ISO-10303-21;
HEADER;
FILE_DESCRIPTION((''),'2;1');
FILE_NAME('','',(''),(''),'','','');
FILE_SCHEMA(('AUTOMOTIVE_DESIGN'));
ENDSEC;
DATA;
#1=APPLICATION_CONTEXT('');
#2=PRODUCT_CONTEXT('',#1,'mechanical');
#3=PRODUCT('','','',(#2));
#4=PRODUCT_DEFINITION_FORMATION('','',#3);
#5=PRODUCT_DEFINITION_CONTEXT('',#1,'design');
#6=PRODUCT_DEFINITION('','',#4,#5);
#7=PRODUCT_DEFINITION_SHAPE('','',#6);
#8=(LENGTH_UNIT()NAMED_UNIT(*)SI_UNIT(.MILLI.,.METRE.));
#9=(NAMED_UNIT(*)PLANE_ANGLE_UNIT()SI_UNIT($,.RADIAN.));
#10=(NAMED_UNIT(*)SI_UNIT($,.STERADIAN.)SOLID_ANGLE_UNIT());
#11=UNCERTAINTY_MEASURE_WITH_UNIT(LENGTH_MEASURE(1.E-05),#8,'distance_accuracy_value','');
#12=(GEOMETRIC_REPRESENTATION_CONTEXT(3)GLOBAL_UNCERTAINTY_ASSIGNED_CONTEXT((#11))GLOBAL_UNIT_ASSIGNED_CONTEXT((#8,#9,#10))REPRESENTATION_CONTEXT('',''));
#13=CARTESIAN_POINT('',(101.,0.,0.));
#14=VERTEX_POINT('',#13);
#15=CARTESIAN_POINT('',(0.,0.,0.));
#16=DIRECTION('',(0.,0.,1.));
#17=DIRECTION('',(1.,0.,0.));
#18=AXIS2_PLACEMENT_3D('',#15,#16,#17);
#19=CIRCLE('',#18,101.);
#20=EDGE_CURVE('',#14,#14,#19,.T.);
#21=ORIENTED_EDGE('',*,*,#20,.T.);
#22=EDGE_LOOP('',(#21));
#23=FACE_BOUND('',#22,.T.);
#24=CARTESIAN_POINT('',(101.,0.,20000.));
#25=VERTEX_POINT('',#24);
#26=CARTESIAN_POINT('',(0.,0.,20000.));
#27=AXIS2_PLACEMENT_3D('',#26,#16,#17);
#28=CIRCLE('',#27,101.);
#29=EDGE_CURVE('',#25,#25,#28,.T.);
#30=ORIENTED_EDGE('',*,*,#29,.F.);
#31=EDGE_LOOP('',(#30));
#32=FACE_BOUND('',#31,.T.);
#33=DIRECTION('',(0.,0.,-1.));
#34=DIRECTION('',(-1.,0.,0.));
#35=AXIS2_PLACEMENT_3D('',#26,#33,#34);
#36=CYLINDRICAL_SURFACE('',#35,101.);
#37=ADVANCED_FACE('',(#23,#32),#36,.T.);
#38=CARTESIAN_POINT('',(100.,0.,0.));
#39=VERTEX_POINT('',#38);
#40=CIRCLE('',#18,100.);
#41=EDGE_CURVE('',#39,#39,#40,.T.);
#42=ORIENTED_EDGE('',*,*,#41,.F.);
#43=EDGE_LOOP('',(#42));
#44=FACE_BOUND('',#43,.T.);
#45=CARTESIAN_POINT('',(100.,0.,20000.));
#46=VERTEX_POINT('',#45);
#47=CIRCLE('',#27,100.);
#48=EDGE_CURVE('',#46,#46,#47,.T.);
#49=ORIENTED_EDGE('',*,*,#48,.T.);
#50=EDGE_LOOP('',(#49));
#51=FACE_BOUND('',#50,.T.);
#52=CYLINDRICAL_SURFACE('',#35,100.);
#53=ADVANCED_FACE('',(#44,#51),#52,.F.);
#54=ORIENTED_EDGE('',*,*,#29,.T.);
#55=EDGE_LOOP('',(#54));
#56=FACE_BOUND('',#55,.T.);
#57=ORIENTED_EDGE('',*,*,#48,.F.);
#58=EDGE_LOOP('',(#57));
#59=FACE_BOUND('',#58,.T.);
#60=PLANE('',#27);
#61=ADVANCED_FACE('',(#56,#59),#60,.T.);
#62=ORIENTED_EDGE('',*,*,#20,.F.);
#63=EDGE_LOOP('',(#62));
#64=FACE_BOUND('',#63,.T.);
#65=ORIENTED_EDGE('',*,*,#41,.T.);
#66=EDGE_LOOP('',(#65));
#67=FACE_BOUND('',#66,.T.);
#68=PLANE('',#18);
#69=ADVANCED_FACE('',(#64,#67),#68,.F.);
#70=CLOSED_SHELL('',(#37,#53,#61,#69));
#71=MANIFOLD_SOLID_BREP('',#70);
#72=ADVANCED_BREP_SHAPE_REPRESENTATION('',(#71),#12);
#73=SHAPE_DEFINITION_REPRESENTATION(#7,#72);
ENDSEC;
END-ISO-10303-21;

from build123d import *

# Parameters (mm, degrees)
SKETCH1_R           = 101
SKETCH1_R_2         = 100
BOSS_EXTRUDE1_DEPTH = 20000


with BuildPart() as part:
    # Sketch1 → Boss-Extrude1 (new body)
    with BuildSketch(Plane.XY):
        Circle(SKETCH1_R)
        Circle(SKETCH1_R_2, mode=Mode.SUBTRACT)
    extrude(amount=BOSS_EXTRUDE1_DEPTH)


solid = part.part
